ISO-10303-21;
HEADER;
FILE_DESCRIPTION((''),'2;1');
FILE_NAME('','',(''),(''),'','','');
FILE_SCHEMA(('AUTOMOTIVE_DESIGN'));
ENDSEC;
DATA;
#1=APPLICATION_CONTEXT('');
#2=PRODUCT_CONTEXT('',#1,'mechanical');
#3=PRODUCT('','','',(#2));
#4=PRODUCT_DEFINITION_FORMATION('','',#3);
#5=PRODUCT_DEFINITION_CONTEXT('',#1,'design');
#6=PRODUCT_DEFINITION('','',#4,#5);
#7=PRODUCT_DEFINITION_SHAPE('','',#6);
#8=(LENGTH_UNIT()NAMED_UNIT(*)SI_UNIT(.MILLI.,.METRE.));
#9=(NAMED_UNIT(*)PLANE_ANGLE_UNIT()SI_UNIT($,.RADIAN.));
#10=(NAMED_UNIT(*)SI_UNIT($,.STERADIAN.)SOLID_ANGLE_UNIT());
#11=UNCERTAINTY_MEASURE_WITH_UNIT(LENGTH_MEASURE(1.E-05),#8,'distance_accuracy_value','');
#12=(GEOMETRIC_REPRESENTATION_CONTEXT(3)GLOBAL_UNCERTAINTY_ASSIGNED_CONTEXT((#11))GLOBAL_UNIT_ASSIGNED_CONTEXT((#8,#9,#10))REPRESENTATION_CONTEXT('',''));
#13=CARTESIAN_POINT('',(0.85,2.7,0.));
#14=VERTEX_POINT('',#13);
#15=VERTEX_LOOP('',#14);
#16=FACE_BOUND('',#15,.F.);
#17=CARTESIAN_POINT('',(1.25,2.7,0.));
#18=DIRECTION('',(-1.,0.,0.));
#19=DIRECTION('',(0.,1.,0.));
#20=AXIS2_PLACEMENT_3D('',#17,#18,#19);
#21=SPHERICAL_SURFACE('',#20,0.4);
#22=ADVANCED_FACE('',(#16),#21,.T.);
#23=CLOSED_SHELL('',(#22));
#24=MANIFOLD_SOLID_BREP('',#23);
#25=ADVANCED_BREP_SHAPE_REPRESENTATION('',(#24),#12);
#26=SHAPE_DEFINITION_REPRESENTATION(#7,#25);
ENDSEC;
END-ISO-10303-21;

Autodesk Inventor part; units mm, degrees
ref_plane "YZ Plane" through (0, 0, 0) normal (1, 0, 0) x (0, 1, 0)
ref_plane "XZ Plane" through (0, 0, 0) normal (0, 1, 0) x (-1, 0, 0)
ref_plane "XY Plane" through (0, 0, 0) normal (0, 0, 1) x (1, 0, 0)
sketch "Sketch_3" plane through (0, 0, 0) normal (0, 0, 1) x (1, 0, 0)
  line L0 (1.65, 2.7) -> (0.85, 2.7)
  arc A0 (1.65, 2.7) -> (0.85, 2.7) centre (1.25, 2.7) ccw
  line L1 (1.65, 2.7) -> (0.85, 2.7)
  dimension "d0" = 360
revolve "Revolution1" add sketch "Sketch_3" angle 360 about axis through (1.65, 2.7, 0) along (1, 0, 0)
properties part number "W 627/4-2Z_PART3"
